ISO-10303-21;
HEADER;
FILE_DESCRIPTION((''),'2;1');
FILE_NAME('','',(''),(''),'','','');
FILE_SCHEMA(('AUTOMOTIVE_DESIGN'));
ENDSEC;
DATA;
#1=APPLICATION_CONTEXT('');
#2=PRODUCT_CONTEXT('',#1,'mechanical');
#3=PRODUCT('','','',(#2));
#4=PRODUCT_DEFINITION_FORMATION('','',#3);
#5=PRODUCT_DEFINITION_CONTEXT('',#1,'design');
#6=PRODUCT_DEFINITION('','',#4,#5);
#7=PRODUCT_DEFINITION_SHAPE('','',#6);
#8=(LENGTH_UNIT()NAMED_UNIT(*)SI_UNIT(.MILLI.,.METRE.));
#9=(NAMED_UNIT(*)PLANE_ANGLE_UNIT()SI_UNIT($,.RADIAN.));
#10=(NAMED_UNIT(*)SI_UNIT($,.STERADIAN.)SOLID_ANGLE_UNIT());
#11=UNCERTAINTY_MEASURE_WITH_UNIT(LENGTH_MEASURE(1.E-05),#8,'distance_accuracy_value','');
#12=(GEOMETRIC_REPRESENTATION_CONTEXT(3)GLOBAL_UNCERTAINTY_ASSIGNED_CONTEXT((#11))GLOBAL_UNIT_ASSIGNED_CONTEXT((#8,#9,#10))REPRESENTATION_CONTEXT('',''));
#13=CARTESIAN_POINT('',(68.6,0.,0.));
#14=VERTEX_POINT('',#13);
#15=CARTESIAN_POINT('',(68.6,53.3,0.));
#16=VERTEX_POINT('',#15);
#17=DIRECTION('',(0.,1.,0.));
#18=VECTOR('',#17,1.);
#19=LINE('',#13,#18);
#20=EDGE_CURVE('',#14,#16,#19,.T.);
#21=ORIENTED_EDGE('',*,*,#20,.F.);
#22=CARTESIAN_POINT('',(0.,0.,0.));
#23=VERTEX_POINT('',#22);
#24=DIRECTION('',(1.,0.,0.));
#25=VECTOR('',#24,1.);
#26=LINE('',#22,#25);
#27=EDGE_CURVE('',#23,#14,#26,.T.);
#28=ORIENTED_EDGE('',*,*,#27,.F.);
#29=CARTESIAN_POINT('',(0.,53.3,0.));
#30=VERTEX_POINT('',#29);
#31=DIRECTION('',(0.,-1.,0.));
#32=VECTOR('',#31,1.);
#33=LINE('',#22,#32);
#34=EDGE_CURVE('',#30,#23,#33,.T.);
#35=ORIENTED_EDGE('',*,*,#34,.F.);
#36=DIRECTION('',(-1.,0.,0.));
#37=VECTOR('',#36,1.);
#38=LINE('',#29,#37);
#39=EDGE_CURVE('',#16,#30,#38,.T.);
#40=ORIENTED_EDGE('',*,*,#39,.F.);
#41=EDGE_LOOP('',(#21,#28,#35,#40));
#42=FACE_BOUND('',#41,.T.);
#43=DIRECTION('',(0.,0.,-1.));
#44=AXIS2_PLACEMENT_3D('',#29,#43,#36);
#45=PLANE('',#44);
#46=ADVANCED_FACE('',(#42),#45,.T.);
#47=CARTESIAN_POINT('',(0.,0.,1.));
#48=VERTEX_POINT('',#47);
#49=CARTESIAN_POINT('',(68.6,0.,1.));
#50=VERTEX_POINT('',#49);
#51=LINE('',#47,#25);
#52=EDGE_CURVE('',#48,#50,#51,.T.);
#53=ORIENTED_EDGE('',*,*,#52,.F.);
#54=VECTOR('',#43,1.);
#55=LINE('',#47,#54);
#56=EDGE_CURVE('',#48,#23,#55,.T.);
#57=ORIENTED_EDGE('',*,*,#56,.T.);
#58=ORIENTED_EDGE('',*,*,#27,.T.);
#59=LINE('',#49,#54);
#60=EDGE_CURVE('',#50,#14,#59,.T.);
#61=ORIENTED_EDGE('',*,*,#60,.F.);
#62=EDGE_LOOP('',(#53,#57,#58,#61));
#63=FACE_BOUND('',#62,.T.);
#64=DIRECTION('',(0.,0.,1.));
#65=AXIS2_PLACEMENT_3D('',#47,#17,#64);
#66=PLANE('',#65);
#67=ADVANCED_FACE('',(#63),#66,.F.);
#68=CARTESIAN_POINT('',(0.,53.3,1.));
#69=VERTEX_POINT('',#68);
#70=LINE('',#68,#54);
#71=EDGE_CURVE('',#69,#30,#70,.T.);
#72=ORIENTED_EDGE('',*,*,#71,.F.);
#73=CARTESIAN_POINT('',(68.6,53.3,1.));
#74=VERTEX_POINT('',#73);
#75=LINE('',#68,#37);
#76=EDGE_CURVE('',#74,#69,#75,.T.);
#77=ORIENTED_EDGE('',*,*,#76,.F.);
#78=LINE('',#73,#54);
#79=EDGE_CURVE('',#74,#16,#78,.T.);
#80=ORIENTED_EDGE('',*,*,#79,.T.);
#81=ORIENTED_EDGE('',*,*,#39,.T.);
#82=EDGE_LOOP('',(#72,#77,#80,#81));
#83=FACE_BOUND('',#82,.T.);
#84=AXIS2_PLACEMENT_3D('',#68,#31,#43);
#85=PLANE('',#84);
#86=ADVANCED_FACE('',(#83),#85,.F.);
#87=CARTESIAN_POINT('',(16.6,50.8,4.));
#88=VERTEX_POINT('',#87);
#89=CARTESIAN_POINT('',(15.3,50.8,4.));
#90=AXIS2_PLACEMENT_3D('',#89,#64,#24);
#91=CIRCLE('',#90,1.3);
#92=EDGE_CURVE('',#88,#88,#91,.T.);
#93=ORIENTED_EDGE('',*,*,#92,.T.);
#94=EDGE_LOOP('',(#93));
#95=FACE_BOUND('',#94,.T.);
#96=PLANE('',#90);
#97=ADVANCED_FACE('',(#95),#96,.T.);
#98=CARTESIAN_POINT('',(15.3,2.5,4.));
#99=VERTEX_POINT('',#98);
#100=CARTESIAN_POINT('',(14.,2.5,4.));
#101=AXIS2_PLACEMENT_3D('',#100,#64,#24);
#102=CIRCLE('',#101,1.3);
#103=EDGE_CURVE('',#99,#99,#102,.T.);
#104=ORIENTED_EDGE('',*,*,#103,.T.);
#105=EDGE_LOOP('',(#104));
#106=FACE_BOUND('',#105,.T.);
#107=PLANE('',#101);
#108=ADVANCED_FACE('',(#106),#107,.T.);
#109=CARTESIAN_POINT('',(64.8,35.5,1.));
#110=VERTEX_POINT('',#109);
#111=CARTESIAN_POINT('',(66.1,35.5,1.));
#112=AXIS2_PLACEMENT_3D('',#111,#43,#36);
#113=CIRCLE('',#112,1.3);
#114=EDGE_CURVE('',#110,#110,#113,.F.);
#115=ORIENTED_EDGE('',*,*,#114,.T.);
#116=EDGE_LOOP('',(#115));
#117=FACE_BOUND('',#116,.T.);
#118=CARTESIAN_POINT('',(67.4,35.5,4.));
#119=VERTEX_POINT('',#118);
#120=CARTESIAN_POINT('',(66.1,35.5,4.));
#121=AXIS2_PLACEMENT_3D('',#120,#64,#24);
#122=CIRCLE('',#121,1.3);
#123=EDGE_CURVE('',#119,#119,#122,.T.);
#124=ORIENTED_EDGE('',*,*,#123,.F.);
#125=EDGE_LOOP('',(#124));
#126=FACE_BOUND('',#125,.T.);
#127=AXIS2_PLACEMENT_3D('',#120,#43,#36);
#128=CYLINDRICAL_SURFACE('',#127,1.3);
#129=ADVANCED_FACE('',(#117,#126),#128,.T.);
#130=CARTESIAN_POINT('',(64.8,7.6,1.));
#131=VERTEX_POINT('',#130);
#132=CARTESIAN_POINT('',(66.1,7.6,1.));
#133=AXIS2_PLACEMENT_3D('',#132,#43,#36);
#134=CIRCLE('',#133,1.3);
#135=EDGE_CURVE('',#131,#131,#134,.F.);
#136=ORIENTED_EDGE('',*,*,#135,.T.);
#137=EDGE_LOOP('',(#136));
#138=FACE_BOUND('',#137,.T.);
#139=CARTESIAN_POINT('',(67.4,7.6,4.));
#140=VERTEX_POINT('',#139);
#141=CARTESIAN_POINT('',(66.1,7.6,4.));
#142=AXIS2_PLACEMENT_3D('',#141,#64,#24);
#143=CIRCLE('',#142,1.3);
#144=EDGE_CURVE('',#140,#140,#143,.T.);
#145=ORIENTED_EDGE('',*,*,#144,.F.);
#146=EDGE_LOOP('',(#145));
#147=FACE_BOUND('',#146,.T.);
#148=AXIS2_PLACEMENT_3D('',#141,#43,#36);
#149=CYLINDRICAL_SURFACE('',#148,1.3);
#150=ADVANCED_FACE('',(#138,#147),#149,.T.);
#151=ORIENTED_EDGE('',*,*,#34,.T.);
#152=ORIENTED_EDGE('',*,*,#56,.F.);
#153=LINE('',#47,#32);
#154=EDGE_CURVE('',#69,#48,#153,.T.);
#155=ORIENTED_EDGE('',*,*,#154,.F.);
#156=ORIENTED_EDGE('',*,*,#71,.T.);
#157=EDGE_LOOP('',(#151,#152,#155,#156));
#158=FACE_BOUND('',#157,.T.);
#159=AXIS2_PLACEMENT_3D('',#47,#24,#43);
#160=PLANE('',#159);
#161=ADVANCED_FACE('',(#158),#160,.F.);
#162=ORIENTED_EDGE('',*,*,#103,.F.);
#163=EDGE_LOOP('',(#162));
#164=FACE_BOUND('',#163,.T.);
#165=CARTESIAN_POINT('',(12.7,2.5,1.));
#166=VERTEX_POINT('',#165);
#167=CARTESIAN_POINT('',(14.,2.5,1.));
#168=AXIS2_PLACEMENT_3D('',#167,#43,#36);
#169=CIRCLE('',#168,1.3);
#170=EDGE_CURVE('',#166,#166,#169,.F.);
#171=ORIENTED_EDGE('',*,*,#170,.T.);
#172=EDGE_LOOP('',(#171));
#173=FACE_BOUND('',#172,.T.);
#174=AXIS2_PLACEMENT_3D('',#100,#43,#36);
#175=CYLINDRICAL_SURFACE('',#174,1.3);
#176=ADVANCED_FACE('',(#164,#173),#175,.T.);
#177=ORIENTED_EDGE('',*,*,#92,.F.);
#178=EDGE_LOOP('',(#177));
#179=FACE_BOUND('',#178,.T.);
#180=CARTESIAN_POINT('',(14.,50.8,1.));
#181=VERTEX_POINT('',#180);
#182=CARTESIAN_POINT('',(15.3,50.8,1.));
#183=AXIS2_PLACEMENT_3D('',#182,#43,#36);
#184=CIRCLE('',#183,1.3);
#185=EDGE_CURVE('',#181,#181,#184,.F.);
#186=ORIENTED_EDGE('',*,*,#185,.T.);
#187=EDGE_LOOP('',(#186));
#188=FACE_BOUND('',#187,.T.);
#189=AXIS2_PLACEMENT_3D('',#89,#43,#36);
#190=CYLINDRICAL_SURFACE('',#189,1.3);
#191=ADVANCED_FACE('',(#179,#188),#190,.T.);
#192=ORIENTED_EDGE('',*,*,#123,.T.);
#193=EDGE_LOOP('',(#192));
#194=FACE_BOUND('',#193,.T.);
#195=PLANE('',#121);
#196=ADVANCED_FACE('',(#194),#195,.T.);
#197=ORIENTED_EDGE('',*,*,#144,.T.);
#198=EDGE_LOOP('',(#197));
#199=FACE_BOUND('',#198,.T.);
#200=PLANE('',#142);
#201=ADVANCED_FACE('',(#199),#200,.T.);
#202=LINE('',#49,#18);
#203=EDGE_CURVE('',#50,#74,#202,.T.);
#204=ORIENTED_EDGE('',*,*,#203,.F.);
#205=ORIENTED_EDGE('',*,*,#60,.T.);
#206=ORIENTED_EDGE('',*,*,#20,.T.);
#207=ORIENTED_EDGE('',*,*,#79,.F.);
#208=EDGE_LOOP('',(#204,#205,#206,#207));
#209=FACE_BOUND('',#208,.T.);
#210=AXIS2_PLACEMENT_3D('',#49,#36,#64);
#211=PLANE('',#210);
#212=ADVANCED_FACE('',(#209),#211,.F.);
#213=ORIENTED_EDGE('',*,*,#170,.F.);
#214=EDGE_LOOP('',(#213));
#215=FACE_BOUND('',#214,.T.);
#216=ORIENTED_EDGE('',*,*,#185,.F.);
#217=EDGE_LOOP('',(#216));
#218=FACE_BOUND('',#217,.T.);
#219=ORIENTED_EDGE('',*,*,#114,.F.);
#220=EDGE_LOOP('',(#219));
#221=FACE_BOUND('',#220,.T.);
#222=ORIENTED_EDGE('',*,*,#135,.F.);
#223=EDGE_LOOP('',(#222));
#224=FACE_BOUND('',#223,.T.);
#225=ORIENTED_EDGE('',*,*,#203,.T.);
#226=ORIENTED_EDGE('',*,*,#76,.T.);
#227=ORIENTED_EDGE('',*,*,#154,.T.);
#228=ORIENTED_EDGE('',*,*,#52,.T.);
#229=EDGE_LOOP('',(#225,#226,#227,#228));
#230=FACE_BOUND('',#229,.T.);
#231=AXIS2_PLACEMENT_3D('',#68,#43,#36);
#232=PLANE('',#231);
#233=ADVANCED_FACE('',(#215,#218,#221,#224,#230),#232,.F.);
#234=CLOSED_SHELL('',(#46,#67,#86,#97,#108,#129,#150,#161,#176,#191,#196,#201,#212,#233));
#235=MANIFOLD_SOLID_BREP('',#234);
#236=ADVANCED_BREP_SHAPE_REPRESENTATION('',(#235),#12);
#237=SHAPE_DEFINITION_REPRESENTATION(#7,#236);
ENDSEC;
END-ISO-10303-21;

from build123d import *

# Parameters (mm, degrees)
SKETCH1_W           = 68.6
SKETCH1_H           = 53.3
BOSS_EXTRUDE1_DEPTH = 1
SKETCH2_R           = 1.3
BOSS_EXTRUDE4_DEPTH = 3


with BuildPart() as part:
    # Sketch1 → Boss-Extrude1 (new body)
    with BuildSketch(Plane.XY):
        with Locations((34.3, 26.65)):
            Rectangle(SKETCH1_W, SKETCH1_H)
    extrude(amount=BOSS_EXTRUDE1_DEPTH)

    # Sketch2 → Boss-Extrude4 (add)
    with BuildSketch(Plane.XY.offset(1)):
        with Locations(Location((14, 2.5, 0), (0, 0, 180))):
            Circle(SKETCH2_R)
        with Locations(Location((15.3, 50.8, 0), (0, 0, 180))):
            Circle(SKETCH2_R)
        with Locations(Location((66.1, 7.6, 0), (0, 0, 180))):
            Circle(SKETCH2_R)
        with Locations(Location((66.1, 35.5, 0), (0, 0, 180))):
            Circle(SKETCH2_R)
    extrude(amount=BOSS_EXTRUDE4_DEPTH)


solid = part.part
